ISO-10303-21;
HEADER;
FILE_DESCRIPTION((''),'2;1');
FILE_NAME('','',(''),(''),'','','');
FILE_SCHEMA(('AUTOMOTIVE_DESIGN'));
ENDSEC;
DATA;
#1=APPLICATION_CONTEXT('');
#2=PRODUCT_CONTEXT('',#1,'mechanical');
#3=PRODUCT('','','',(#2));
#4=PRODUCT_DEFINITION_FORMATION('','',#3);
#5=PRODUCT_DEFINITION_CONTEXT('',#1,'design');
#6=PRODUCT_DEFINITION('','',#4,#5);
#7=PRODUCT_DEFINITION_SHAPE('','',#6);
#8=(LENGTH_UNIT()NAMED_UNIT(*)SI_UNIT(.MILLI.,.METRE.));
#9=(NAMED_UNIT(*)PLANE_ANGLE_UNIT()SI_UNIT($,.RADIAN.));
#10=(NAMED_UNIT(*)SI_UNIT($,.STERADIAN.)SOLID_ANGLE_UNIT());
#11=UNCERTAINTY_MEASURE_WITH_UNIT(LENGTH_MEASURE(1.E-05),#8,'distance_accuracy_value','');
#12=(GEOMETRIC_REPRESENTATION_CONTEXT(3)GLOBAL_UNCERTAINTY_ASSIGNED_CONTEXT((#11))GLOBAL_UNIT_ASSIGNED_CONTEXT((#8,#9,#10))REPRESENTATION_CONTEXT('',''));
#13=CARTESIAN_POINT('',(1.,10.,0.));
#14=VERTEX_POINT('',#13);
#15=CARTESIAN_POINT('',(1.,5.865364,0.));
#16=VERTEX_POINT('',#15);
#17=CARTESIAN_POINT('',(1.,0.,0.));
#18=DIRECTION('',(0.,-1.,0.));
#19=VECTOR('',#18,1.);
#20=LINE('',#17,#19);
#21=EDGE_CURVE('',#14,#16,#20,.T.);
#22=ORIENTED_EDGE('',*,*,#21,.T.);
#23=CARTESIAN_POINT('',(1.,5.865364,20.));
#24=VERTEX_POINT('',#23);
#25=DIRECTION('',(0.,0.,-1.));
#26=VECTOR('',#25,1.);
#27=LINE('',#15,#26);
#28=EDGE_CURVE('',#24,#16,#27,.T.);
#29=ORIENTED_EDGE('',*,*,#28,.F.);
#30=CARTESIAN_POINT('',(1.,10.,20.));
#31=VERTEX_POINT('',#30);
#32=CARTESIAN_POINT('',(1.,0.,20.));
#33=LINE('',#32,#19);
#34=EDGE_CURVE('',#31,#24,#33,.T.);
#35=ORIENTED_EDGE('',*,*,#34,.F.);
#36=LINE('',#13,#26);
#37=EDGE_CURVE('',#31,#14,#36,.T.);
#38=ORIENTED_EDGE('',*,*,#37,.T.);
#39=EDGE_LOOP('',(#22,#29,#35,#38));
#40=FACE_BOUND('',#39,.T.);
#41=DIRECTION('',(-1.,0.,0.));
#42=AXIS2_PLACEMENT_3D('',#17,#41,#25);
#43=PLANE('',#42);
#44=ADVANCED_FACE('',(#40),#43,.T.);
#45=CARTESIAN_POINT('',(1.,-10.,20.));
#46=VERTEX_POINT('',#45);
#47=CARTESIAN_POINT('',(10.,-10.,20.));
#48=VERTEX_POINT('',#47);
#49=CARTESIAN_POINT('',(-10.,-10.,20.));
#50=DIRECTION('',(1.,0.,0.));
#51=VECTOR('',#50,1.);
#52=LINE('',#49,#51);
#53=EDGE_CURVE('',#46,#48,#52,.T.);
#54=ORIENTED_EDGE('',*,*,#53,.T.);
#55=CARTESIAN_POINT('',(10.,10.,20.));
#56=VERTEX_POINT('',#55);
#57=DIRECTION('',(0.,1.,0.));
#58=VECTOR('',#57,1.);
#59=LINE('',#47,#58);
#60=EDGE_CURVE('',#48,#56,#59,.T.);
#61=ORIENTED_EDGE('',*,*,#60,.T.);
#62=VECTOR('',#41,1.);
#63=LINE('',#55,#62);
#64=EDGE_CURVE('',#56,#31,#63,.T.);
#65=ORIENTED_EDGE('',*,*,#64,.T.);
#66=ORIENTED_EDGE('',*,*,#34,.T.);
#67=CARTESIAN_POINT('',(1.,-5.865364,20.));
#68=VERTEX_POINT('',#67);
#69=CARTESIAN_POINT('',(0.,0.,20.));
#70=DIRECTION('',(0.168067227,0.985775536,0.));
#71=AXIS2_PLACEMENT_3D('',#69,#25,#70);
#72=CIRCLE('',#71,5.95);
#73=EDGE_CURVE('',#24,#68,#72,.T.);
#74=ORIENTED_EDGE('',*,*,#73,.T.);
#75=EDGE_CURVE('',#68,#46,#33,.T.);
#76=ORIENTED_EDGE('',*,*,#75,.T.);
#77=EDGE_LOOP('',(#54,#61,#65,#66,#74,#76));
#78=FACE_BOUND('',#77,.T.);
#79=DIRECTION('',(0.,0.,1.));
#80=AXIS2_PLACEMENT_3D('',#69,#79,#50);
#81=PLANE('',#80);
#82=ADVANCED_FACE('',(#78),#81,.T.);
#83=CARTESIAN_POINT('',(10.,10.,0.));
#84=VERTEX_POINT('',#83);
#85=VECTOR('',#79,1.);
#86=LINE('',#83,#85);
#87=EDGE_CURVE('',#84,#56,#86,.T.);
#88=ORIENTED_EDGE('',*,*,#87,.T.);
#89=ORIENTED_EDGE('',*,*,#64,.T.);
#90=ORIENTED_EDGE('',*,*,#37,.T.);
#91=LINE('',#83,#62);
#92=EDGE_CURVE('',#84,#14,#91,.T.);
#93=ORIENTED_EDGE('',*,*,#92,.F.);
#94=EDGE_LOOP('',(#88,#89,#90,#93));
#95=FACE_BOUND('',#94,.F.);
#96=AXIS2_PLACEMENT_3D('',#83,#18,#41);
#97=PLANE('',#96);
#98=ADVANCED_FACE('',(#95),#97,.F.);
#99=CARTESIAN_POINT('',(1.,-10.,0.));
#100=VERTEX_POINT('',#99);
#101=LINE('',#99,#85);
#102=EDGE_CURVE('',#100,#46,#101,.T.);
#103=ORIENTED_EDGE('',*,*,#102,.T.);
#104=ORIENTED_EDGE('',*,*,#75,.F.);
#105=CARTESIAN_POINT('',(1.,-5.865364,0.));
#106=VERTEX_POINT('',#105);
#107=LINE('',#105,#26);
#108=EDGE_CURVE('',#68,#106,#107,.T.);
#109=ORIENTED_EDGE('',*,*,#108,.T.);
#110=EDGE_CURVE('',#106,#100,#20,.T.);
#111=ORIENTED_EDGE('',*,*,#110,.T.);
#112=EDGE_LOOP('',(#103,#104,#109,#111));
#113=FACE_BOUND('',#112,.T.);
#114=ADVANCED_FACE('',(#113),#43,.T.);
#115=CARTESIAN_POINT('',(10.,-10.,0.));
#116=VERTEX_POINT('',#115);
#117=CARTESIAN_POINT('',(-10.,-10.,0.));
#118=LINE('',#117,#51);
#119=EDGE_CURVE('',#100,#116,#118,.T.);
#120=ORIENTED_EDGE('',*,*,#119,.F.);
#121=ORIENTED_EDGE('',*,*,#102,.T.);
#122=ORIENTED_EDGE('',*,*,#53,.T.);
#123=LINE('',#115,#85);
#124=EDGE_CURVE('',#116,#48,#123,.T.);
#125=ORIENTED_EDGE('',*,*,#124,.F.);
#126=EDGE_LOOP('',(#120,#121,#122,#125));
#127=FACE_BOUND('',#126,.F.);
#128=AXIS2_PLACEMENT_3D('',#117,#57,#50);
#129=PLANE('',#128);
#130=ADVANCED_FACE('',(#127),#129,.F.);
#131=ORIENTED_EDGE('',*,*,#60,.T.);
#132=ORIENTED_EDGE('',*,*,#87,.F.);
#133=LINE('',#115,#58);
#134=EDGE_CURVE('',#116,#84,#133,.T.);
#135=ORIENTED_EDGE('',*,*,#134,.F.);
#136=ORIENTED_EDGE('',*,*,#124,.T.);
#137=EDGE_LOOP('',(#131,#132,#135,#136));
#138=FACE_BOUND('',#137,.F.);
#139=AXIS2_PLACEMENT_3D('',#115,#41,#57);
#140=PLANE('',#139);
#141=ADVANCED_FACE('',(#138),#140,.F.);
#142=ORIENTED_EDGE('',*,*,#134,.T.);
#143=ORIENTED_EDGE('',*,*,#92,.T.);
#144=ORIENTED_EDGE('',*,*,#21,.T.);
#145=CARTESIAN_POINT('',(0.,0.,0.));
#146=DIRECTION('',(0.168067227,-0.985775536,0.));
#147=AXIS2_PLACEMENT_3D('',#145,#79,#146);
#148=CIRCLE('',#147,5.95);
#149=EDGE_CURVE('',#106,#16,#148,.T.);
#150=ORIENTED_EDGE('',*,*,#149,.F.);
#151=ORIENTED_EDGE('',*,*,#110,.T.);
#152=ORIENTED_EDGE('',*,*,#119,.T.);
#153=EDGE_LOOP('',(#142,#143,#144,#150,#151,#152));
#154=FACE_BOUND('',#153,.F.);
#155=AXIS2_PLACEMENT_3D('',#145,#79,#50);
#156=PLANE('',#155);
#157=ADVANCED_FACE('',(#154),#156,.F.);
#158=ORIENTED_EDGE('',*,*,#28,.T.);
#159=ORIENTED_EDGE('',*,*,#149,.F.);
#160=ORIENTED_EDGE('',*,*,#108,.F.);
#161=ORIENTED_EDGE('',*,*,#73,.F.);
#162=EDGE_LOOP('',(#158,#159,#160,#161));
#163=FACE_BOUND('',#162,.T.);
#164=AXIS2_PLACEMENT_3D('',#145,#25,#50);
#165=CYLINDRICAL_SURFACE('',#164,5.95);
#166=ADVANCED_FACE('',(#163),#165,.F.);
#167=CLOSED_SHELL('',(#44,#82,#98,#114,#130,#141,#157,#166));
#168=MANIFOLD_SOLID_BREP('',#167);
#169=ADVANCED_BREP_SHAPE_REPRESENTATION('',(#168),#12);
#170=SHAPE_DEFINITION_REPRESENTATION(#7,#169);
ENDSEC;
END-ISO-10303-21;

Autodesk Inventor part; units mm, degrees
ref_plane "XZ Plane" through (0, 0, 0) normal (0, 1, 0) x (-1, 0, 0)
ref_plane "XY Plane" through (0, 0, 0) normal (0, 0, 1) x (1, 0, 0)
sketch "Sketch1" plane through (0, 0, 0) normal (0, 0, 1) x (1, 0, 0)
  circle A0 centre (0, 0) radius 5.95
  line L0 (-10, -10) -> (10, -10)
  line L1 (10, -10) -> (10, 10)
  line L2 (10, 10) -> (-10, 10)
  line L3 (-10, 10) -> (-10, -10)
  line L4 (-10, -10) -> (10, 10) construction
  line L5 (10, -10) -> (-10, 10) construction
  dimension "d0" = 11.9
  dimension "d1" = 20
  dimension "d2" = 20
extrude "Extrusion1" add sketch "Sketch1" along normal blind 20
ref_plane "Work Plane1" through (1, 0, 0) normal (1, 0, 0) x (0, 1, 0)
split "Split1" plane through (1, 0, 0) removes the side toward (-1, 0, 0)
properties part number "FixA"
